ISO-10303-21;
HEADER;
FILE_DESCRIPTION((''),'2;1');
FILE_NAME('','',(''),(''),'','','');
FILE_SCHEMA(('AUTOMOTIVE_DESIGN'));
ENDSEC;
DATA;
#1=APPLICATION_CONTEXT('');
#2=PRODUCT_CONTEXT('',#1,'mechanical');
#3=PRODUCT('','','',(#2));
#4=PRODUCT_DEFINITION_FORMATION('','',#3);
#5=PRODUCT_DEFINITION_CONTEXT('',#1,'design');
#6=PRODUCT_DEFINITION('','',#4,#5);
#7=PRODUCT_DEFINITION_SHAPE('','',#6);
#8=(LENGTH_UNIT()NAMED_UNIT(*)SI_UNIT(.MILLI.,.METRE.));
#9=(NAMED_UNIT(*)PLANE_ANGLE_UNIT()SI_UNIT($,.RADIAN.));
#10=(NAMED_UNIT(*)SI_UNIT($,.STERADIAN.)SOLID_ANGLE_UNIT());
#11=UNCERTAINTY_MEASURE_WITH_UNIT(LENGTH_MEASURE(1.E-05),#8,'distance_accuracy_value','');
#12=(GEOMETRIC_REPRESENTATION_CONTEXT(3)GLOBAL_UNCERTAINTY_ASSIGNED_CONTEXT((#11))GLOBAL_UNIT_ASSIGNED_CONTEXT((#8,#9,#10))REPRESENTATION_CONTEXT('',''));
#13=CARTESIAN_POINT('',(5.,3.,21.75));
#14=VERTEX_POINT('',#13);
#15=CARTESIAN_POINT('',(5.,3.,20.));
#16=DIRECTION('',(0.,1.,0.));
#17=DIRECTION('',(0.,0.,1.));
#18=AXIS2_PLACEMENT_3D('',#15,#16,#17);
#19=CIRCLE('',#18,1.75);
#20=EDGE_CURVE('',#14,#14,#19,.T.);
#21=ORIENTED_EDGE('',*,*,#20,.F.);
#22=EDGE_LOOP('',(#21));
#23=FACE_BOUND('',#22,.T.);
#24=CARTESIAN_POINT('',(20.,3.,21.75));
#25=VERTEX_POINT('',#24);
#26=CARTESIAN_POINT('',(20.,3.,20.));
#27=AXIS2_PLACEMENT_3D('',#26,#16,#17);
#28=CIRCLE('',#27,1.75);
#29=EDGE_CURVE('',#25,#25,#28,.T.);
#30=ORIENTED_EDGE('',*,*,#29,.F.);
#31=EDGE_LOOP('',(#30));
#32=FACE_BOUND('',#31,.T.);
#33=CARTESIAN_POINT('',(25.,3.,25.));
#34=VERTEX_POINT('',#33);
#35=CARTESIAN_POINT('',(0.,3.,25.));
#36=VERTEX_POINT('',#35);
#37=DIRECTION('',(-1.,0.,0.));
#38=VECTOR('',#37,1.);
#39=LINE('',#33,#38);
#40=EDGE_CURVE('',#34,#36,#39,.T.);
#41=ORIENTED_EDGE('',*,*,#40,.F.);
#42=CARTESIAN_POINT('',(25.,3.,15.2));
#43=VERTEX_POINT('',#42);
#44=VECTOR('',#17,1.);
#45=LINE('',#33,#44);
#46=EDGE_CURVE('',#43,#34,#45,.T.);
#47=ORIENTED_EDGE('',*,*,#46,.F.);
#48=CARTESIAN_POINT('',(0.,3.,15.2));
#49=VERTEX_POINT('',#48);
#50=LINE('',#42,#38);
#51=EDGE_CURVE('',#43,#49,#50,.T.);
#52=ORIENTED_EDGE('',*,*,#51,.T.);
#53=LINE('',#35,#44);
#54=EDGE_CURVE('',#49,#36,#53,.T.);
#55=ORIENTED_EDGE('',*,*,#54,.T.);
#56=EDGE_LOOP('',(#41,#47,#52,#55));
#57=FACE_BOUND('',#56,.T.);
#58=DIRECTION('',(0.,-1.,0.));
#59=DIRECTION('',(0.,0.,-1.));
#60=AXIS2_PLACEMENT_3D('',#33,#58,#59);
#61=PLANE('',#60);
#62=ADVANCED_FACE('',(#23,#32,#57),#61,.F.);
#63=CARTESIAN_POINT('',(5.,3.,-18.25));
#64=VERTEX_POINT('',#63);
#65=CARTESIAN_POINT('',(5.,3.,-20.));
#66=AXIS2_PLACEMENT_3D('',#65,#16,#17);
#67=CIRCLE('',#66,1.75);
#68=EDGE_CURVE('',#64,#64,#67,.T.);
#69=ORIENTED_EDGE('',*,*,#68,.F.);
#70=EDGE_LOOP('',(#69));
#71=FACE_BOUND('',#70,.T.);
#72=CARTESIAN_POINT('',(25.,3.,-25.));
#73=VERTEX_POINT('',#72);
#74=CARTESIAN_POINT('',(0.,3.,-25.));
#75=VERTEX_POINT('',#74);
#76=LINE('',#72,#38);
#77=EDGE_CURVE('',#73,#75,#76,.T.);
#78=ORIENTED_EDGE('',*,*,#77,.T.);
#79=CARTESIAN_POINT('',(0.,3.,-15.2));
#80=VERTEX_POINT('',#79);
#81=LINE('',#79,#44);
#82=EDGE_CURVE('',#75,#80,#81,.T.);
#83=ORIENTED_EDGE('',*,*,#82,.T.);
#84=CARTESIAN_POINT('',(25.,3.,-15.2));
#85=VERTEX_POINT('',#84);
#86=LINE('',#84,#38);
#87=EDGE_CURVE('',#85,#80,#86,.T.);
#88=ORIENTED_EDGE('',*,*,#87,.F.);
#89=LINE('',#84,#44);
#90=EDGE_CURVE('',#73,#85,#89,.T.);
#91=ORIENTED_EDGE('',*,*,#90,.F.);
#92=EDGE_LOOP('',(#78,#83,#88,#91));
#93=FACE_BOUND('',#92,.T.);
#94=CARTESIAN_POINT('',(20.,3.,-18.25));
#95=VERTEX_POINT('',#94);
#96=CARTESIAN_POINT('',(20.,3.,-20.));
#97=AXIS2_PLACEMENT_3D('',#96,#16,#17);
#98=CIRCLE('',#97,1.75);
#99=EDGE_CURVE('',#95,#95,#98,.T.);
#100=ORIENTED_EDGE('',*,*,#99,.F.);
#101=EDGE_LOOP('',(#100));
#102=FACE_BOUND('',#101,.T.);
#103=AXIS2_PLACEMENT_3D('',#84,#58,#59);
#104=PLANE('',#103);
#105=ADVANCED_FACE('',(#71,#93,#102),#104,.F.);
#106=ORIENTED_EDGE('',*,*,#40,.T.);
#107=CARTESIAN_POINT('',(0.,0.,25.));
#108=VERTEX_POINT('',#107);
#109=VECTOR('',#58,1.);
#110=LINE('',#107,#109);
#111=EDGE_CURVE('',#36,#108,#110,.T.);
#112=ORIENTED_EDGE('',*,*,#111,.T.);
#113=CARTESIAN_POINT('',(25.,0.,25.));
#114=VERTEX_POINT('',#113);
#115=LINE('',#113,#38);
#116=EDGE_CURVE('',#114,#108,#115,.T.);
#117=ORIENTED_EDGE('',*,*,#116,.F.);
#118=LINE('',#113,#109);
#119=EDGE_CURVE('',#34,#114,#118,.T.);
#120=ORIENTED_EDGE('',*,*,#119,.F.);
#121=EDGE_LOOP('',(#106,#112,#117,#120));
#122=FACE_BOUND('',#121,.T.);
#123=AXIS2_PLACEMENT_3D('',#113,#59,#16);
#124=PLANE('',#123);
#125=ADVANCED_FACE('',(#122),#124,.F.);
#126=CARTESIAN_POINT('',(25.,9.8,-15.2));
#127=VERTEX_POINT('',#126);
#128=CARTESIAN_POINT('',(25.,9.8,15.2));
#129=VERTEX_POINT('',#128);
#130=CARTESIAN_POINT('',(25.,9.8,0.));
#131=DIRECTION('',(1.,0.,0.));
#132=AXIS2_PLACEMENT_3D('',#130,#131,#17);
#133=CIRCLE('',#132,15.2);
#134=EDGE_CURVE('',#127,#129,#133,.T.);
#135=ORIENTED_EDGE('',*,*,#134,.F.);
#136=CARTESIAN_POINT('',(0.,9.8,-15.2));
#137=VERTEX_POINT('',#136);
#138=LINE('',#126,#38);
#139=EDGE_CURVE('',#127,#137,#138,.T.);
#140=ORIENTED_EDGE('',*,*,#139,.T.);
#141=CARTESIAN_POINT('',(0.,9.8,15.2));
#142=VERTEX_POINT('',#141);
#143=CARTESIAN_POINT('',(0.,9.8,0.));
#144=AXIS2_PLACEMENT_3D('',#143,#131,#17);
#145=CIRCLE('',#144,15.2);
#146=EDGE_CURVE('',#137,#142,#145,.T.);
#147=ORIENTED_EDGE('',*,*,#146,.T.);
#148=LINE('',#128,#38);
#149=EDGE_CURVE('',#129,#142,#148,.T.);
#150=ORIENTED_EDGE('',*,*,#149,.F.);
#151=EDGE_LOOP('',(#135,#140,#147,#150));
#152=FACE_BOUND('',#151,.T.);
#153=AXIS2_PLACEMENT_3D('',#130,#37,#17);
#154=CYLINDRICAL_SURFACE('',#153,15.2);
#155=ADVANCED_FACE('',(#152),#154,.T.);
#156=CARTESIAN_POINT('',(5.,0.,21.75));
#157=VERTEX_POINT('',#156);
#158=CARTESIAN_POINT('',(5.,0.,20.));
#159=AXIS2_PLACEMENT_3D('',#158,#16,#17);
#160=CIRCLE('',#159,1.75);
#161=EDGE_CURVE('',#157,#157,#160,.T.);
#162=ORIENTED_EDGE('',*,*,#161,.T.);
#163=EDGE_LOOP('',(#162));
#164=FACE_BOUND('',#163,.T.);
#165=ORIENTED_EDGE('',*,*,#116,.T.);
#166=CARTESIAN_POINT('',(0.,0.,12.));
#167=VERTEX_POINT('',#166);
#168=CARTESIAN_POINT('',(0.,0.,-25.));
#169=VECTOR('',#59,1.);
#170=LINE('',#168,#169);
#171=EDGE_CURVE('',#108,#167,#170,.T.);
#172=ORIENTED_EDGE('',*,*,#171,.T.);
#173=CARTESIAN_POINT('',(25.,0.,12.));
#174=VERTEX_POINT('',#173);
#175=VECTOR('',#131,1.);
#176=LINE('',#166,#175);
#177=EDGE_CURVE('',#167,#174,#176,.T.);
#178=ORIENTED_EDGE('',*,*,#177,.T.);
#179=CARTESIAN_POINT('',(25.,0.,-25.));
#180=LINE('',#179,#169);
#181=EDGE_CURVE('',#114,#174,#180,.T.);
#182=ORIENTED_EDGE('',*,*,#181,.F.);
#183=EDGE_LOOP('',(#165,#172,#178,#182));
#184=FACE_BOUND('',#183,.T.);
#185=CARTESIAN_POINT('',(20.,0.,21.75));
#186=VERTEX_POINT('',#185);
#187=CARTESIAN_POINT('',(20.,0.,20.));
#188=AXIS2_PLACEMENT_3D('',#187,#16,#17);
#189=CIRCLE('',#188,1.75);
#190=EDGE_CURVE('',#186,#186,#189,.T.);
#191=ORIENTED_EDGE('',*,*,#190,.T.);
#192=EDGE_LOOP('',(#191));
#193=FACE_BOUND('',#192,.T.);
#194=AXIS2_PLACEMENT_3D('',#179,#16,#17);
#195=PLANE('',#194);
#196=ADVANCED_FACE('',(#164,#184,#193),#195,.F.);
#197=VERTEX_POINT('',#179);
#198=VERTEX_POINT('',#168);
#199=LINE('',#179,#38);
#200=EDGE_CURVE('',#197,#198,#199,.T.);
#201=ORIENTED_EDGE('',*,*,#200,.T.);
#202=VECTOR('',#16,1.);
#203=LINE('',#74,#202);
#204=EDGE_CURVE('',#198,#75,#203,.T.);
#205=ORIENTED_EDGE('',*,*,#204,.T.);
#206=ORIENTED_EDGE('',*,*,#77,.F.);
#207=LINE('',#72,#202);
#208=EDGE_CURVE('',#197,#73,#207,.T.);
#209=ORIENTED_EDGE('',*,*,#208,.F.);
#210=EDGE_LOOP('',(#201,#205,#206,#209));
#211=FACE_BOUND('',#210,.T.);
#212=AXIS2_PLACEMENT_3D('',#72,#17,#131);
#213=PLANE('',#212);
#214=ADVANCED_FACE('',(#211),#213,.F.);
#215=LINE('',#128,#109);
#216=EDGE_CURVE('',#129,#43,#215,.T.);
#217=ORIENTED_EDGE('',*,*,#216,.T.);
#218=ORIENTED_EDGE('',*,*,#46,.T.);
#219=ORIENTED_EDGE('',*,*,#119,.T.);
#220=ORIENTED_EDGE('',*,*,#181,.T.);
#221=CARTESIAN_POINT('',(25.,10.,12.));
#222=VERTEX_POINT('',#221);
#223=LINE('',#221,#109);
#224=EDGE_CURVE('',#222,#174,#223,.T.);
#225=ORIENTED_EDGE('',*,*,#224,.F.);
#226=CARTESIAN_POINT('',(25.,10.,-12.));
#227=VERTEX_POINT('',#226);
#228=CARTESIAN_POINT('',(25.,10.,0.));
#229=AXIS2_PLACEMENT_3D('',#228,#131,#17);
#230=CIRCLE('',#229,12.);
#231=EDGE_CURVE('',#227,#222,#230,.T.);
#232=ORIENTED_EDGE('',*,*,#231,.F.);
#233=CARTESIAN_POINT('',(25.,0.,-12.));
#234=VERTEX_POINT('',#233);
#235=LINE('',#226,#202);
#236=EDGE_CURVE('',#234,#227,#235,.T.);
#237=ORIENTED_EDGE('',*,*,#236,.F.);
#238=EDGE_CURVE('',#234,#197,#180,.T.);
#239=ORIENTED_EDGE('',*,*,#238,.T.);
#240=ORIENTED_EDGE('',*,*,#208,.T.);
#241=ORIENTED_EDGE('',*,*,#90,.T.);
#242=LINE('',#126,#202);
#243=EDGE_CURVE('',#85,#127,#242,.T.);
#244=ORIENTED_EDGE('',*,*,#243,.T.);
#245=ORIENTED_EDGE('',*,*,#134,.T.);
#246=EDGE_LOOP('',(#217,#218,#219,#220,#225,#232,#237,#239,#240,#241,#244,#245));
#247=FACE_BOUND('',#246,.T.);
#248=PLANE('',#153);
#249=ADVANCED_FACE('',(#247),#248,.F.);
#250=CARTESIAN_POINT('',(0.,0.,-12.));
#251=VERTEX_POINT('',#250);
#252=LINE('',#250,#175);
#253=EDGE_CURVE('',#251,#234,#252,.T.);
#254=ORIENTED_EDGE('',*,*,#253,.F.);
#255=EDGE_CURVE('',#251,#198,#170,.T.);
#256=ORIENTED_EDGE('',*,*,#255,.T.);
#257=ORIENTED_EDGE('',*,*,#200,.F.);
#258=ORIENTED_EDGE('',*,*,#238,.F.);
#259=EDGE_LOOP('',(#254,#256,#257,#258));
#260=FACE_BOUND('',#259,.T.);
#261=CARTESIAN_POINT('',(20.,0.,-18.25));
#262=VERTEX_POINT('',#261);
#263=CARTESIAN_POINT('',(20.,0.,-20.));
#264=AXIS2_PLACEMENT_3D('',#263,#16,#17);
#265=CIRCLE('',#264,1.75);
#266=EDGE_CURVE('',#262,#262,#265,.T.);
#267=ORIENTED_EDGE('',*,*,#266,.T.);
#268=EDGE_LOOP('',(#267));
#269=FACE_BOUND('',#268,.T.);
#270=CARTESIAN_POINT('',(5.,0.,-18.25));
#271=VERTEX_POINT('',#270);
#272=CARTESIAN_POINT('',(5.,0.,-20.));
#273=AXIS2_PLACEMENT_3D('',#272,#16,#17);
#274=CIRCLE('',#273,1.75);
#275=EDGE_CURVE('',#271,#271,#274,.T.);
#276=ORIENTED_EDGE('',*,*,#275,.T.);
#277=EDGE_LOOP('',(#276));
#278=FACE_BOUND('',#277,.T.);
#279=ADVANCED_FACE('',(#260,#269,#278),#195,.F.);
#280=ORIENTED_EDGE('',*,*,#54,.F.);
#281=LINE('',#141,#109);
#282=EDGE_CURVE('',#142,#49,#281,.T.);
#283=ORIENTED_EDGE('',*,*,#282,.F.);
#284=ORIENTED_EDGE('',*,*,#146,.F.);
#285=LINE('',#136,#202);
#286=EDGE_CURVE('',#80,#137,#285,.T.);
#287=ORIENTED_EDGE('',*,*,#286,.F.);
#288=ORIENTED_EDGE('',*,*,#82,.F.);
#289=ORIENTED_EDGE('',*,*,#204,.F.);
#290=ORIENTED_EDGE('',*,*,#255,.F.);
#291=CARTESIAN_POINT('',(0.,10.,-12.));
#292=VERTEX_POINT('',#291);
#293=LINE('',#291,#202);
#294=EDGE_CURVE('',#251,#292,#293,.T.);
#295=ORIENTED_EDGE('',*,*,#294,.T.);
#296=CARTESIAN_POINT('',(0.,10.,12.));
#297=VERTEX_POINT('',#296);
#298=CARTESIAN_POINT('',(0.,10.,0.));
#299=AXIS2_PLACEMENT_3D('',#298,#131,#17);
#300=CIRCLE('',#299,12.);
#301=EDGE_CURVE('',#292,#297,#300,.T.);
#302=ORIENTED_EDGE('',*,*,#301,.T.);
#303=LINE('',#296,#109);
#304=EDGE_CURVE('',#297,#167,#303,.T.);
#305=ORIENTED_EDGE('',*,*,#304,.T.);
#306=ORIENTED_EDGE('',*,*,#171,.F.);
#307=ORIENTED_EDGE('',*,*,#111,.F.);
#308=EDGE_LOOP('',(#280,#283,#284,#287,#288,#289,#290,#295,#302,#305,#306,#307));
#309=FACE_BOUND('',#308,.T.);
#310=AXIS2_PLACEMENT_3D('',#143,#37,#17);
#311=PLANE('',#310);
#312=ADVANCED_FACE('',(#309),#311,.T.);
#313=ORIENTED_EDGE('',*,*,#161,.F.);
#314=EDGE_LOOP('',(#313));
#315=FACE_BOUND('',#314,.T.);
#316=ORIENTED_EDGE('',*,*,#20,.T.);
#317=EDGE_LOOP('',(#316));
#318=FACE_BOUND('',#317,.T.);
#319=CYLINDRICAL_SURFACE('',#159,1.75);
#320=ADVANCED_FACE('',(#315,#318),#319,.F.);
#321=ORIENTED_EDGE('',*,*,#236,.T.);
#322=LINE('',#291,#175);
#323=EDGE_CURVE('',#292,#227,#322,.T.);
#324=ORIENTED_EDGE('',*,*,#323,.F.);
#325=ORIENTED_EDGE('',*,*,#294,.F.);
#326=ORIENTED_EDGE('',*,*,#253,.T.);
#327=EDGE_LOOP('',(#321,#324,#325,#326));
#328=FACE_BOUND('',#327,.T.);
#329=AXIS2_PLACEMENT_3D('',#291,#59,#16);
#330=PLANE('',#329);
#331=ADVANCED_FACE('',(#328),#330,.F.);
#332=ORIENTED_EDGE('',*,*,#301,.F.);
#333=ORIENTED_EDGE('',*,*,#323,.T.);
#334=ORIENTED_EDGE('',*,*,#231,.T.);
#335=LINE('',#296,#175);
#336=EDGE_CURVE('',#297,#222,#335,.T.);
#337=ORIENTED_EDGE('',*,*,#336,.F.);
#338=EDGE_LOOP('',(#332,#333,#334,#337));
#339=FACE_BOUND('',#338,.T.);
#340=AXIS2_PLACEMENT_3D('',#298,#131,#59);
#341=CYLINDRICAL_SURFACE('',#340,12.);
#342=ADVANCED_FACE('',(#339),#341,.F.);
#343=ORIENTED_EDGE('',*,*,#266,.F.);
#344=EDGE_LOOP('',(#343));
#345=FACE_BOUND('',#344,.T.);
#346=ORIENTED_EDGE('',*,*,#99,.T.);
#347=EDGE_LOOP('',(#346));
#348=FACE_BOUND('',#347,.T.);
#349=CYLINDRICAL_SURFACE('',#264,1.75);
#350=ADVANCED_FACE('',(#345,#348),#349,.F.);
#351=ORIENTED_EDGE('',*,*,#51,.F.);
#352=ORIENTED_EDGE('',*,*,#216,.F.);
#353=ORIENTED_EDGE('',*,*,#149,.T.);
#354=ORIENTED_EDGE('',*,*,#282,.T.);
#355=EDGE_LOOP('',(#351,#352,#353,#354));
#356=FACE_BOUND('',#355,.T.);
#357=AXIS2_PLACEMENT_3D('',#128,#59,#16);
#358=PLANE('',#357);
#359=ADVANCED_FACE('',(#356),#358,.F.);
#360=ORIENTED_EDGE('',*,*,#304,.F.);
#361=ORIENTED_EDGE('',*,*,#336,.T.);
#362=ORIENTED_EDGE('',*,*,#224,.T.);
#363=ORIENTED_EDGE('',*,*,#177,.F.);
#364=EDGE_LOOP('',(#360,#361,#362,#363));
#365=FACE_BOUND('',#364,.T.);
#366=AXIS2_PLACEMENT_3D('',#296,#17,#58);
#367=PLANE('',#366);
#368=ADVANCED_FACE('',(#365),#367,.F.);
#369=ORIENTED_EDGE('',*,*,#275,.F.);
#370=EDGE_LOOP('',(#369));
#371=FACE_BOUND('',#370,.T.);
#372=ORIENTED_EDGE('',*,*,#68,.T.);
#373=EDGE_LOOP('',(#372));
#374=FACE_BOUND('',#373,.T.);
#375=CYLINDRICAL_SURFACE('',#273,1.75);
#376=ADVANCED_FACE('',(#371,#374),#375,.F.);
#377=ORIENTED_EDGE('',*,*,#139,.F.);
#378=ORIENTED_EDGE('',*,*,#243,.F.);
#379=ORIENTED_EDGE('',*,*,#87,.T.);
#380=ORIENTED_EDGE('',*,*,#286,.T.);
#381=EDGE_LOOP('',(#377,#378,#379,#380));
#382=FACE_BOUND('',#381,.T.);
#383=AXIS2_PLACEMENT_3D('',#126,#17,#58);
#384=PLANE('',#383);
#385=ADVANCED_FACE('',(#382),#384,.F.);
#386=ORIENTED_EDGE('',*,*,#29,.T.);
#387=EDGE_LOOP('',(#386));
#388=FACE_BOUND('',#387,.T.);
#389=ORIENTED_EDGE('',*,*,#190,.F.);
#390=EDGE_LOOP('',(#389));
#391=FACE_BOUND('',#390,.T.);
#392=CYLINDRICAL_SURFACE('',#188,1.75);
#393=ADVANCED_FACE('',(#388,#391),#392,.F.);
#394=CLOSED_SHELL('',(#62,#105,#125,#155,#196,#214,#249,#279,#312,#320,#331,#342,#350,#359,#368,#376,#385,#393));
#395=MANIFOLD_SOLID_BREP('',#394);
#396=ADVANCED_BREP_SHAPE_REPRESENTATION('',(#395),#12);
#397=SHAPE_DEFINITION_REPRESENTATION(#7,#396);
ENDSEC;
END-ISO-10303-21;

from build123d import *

# Parameters (mm, degrees)
BOSS_EXTRUDE1_DEPTH = 25
CUT_EXTRUDE1_DEPTH  = 44.301270189
SKETCH3_R           = 1.75
CUT_EXTRUDE2_DEPTH  = 42.641325627


with BuildPart() as part:
    # Sketch1 → Boss-Extrude1 (new body)
    with BuildSketch(Plane(origin=(0, 0, 0), x_dir=(0, 0, -1), z_dir=(1, 0, 0))):
        with BuildLine():
            Line((-25, 0), (-25, 3))
            Line((-25, 3), (-15.2, 3))
            Line((-15.2, 3), (-15.2, 9.8))
            ThreePointArc((-15.2, 9.8), (0, 25), (15.2, 9.8))
            Line((15.2, 9.8), (15.2, 3))
            Line((15.2, 3), (25, 3))
            Line((25, 3), (25, 0))
            Line((25, 0), (-25, 0))
        make_face()
    extrude(amount=BOSS_EXTRUDE1_DEPTH)

    # Sketch2 → Cut-Extrude1 (cut, through all)
    with BuildSketch(Plane(origin=(25, 0, 0), x_dir=(0, 0, -1), z_dir=(1, 0, 0))):
        with BuildLine():
            Line((-12, 10), (-12, 0))
            Line((-12, 0), (12, 0))
            Line((12, 0), (12, 10))
            ThreePointArc((12, 10), (0, 22), (-12, 10))
        make_face()
    extrude(amount=-CUT_EXTRUDE1_DEPTH, mode=Mode.SUBTRACT)

    # Sketch3 → Cut-Extrude2 (cut, through all)
    with BuildSketch(Plane(origin=(0, 3, 0), x_dir=(1, 0, 0), z_dir=(0, 1, 0))):
        with Locations(Location((5, -20, 0), (0, 0, 270))):
            Circle(SKETCH3_R)
        with Locations(Location((20, -20, 0), (0, 0, 270))):
            Circle(SKETCH3_R)
        with Locations(Location((5, 20, 0), (0, 0, 270))):
            Circle(SKETCH3_R)
        with Locations(Location((20, 20, 0), (0, 0, 270))):
            Circle(SKETCH3_R)
    extrude(amount=-CUT_EXTRUDE2_DEPTH, mode=Mode.SUBTRACT)


solid = part.part
